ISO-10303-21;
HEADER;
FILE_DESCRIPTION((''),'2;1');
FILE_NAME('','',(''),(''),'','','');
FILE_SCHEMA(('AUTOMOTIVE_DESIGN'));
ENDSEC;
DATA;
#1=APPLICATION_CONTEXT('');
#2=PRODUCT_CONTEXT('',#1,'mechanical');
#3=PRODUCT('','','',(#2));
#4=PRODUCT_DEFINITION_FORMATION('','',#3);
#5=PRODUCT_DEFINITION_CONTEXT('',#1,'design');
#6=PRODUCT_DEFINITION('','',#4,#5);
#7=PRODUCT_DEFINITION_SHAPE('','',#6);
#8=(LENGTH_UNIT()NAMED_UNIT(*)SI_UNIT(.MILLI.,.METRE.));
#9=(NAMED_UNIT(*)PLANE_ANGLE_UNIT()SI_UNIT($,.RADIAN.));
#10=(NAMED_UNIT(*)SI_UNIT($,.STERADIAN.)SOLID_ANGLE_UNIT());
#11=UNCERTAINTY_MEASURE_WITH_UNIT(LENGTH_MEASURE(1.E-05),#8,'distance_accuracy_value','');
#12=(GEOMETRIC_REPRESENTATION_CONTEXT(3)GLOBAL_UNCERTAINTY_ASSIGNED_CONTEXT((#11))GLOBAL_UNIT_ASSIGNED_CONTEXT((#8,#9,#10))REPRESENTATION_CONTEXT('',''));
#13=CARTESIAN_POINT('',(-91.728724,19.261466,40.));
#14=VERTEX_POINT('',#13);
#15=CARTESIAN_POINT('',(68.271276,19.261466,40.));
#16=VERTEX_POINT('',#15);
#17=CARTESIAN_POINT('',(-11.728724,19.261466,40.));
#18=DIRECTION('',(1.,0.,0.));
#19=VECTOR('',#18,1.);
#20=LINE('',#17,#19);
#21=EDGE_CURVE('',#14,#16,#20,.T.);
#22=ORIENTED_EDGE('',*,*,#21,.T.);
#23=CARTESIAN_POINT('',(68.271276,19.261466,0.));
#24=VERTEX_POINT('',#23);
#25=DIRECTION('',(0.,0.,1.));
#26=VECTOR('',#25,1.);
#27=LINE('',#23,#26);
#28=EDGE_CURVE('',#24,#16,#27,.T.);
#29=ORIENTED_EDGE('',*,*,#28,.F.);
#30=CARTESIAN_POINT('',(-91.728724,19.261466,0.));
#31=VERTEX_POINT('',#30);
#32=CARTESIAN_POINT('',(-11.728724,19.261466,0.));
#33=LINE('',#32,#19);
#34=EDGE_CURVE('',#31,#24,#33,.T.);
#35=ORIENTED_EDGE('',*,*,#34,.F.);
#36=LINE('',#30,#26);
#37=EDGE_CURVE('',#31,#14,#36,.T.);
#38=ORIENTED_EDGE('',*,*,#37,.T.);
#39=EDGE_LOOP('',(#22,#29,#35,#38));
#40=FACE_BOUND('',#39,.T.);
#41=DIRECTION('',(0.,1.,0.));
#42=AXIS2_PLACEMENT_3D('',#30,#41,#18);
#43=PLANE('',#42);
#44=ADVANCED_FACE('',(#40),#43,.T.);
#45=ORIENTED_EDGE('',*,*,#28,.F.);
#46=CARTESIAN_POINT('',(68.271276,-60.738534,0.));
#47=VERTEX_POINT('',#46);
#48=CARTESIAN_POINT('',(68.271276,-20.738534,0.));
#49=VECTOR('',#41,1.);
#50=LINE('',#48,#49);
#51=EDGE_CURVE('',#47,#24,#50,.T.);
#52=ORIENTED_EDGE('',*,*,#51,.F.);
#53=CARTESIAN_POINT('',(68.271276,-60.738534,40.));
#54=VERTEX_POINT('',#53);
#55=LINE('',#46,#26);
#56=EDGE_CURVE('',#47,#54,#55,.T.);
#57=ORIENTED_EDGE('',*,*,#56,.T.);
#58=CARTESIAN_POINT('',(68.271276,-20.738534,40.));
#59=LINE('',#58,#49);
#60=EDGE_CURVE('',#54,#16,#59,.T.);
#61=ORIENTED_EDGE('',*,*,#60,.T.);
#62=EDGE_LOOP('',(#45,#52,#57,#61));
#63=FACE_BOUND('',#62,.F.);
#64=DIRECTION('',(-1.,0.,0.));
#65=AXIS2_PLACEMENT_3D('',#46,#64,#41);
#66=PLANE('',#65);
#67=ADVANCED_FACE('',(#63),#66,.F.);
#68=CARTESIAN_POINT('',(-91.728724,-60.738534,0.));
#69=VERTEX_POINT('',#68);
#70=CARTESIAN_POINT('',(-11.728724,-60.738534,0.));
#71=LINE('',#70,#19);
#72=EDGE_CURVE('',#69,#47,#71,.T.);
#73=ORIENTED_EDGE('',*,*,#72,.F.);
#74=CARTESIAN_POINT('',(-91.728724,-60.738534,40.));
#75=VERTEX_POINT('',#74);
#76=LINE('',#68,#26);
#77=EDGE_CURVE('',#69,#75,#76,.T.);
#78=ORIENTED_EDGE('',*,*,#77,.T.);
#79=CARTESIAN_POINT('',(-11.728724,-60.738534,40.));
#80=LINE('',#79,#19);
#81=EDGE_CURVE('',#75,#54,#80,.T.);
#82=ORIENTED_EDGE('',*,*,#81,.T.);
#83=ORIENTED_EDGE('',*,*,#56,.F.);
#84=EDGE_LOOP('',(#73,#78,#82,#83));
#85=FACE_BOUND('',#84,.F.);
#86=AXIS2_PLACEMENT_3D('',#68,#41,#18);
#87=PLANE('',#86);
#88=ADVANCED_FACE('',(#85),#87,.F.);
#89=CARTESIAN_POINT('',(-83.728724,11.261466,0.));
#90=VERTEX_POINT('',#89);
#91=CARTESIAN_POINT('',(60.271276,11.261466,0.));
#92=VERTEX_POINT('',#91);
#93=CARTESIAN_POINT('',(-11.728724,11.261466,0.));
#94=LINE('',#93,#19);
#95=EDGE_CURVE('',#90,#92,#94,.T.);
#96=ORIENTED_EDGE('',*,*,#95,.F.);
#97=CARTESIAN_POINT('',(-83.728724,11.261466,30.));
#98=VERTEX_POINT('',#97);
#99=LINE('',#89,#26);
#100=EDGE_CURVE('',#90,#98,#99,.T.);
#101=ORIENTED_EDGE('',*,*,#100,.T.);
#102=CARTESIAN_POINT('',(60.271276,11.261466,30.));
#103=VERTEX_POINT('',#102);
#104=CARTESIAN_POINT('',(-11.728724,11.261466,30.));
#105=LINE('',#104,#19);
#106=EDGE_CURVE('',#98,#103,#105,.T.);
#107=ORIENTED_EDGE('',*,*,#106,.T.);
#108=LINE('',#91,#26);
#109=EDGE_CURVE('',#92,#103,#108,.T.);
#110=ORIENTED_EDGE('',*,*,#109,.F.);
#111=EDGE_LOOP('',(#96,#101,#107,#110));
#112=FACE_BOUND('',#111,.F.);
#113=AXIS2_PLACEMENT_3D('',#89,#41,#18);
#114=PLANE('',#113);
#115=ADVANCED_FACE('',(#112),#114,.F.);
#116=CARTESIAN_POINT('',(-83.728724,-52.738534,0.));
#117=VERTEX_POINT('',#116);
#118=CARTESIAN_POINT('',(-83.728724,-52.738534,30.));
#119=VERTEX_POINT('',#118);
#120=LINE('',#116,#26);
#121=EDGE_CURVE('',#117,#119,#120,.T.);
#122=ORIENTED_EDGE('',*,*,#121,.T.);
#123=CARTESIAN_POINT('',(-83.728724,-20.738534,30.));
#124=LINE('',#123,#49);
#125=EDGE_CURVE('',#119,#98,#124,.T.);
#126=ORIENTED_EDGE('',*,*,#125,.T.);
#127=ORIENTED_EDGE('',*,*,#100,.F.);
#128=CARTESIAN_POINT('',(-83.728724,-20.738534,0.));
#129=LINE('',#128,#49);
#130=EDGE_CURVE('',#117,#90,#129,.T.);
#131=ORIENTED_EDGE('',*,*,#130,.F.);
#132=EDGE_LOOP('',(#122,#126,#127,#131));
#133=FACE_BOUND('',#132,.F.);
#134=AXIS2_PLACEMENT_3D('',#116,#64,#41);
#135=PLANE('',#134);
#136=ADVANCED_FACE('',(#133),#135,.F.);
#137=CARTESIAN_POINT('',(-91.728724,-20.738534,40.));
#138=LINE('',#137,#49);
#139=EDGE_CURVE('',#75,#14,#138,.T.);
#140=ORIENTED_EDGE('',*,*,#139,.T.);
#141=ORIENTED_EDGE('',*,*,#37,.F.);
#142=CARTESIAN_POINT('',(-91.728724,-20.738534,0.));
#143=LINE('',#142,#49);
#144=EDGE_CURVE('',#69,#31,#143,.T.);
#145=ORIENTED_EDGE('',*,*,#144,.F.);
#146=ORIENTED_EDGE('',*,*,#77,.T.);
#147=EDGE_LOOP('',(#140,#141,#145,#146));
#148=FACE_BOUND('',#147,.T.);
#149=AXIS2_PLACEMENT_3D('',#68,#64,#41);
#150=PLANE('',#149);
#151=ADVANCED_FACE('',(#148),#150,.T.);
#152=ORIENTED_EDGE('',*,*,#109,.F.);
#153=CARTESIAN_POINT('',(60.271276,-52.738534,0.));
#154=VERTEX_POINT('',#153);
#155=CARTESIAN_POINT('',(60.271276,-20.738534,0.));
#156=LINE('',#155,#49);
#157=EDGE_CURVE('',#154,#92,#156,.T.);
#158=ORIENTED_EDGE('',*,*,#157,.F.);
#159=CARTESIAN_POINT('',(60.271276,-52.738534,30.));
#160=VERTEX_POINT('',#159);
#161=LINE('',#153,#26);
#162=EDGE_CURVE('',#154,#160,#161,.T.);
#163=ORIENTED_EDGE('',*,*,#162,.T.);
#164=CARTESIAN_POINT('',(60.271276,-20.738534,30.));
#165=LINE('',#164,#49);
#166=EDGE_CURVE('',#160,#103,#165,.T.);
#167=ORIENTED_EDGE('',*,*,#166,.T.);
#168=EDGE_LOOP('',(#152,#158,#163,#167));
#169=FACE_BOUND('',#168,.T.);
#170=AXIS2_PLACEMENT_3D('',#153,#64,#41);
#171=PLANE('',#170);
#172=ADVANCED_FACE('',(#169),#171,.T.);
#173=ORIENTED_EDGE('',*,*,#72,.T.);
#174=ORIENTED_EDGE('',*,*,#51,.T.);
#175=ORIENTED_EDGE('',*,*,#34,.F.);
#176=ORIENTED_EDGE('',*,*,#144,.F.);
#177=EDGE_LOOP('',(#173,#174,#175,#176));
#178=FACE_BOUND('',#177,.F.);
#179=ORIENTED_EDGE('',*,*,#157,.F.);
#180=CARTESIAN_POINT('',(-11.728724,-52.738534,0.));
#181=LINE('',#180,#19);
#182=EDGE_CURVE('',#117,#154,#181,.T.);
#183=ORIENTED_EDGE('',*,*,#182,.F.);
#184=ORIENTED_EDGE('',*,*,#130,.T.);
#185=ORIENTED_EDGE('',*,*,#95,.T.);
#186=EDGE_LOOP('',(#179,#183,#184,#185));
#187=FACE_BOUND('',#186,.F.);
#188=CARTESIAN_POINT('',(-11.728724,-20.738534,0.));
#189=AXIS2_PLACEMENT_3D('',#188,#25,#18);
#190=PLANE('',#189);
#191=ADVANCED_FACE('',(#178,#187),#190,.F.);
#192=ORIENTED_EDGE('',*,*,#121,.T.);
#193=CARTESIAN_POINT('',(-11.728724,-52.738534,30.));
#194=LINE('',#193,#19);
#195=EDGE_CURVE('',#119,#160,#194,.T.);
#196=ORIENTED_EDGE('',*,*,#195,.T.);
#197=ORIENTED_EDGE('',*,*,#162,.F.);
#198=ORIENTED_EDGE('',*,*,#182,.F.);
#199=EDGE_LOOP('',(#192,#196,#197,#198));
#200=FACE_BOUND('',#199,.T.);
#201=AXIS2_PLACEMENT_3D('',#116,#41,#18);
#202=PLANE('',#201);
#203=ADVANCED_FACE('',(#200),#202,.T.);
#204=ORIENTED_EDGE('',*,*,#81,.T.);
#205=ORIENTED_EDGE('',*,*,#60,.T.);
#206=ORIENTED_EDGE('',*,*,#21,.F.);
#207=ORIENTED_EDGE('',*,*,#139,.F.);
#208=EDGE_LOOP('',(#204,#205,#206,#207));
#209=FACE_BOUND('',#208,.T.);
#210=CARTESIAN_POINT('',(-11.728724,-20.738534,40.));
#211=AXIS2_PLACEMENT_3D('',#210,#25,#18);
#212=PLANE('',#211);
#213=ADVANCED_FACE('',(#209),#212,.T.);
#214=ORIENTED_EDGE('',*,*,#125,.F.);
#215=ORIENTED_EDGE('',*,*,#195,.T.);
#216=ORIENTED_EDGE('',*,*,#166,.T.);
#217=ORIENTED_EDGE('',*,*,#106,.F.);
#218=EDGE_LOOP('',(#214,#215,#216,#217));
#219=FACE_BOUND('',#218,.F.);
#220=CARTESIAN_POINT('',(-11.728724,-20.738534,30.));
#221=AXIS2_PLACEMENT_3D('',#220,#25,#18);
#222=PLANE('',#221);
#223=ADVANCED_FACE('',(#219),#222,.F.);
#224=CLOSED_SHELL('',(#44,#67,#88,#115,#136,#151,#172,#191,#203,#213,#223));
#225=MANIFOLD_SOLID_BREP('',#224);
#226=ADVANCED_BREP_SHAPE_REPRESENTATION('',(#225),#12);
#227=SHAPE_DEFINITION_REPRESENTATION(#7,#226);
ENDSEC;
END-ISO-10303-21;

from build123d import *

# Parameters (mm, degrees)
F0_W     = 160
F0_H     = 80
F1_DEPTH = 40
F2_W     = 144
F2_H     = 64
F3_DEPTH = 30


with BuildPart() as f1:
    # F0 (on Top) → F1 (new body)
    with BuildSketch(Plane.XY):
        with Locations((-11.728724, -20.738534)):
            Rectangle(F0_W, F0_H)
    extrude(amount=F1_DEPTH)

    # F2 (on Top) → F3 (cut)
    with BuildSketch(Plane.XY):
        with Locations((-11.728724, -20.738534)):
            Rectangle(F2_W, F2_H)
    extrude(amount=F3_DEPTH, mode=Mode.SUBTRACT)


solid = f1.part
